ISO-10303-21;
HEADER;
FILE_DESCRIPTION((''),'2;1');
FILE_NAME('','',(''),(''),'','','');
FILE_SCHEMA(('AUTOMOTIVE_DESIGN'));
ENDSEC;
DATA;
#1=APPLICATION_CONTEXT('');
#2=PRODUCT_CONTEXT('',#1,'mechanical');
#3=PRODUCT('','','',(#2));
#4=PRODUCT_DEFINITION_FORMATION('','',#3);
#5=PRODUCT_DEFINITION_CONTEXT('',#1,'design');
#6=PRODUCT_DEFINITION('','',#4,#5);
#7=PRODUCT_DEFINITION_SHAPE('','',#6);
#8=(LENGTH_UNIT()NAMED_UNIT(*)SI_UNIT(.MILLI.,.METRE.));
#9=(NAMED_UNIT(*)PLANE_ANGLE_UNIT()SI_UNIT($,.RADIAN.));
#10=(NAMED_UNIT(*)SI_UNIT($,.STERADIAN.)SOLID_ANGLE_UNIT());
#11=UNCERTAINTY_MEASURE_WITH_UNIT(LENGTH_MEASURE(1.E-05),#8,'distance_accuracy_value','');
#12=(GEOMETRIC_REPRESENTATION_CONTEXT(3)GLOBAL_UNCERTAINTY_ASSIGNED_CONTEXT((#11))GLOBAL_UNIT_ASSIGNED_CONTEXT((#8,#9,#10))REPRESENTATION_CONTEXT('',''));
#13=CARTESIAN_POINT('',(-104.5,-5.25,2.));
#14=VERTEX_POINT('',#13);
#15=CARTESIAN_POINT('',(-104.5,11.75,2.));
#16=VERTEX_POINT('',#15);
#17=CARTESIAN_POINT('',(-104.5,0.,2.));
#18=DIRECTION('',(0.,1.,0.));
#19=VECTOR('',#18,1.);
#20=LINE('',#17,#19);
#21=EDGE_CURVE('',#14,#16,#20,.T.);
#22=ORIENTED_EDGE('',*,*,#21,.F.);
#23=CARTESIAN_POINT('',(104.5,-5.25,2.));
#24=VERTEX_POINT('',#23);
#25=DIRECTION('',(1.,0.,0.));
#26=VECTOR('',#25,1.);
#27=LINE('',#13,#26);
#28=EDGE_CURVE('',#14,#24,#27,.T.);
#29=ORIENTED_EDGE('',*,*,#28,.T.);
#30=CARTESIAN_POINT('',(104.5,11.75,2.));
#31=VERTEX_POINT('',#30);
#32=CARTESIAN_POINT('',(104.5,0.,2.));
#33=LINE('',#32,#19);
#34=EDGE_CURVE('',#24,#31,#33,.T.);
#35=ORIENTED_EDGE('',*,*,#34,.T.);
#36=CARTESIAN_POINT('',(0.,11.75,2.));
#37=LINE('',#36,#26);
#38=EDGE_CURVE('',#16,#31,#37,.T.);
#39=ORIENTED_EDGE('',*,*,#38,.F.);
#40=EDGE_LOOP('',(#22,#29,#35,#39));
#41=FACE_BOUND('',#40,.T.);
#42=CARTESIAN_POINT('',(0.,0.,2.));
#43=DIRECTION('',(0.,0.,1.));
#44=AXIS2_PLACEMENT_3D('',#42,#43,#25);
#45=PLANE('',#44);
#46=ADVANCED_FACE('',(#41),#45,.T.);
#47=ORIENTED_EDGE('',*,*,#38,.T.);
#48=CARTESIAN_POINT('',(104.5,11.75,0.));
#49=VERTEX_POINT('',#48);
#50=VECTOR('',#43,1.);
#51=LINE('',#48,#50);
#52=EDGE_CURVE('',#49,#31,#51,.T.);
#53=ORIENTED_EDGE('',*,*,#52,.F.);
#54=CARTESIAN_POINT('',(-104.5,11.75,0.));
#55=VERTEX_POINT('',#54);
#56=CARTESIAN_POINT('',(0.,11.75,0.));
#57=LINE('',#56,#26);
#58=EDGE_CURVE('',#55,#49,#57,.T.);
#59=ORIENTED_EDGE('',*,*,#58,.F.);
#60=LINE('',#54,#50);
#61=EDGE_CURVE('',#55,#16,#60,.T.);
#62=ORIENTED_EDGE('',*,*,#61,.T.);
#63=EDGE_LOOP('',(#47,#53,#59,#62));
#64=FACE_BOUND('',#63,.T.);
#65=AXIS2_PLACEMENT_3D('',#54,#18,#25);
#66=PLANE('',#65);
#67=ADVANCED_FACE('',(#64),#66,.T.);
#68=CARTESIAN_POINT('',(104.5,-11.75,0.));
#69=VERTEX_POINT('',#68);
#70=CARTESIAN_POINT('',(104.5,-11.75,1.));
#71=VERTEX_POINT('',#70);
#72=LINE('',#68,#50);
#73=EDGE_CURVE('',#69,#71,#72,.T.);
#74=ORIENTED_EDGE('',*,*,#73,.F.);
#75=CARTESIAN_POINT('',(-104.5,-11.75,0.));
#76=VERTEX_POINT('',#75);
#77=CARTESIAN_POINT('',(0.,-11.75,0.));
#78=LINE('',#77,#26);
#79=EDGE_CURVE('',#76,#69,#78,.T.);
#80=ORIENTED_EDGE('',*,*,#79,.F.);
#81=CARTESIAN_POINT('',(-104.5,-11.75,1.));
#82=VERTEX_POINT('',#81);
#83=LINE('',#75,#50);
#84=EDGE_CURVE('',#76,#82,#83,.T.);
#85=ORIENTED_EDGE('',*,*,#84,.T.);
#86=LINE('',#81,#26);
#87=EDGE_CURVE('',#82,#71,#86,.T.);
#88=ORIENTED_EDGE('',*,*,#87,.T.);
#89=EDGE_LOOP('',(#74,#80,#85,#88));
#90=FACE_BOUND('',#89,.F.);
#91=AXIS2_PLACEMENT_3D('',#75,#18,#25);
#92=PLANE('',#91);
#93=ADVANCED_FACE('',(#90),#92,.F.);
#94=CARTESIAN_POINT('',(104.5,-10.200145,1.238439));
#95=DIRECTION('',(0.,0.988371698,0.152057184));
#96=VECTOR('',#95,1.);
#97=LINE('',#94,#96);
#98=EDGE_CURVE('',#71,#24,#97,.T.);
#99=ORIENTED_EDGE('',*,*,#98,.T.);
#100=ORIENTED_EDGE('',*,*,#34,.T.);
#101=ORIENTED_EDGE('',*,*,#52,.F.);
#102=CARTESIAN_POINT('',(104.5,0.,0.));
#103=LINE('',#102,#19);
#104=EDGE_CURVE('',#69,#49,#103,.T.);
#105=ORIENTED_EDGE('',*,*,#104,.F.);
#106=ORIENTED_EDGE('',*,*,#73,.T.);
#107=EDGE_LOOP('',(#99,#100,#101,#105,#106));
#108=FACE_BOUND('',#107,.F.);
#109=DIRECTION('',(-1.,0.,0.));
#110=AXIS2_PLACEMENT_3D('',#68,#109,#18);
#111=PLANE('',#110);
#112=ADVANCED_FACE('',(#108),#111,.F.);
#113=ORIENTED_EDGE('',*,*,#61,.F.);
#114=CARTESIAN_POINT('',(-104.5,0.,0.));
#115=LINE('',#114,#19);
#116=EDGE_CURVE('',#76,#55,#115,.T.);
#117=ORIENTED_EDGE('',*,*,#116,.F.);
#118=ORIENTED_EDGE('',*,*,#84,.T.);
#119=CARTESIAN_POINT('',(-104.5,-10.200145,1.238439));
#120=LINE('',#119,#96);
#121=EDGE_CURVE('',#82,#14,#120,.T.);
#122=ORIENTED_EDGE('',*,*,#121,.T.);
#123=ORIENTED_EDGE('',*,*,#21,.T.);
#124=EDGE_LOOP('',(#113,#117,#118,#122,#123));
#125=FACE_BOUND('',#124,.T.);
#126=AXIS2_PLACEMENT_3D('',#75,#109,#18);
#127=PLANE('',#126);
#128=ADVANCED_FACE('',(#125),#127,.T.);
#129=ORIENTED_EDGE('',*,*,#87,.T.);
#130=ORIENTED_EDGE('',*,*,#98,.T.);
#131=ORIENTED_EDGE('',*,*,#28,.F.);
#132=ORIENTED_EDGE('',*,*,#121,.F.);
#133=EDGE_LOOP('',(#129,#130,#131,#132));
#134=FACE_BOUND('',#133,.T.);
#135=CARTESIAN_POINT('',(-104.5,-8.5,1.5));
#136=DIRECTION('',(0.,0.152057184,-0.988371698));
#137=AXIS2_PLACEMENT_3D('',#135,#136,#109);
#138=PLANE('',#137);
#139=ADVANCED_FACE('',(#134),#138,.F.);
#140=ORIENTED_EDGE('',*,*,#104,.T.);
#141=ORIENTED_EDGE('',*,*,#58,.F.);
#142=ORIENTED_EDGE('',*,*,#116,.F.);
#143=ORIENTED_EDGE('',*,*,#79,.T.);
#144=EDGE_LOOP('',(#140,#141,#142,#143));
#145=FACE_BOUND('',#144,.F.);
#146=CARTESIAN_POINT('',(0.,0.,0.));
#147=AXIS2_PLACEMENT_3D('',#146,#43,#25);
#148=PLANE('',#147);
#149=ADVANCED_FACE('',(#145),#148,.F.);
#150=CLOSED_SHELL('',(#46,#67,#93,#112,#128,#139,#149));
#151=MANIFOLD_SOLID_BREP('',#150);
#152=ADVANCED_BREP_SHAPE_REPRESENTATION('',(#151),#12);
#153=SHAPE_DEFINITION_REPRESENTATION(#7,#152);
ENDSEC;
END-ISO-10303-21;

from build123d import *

# Parameters (mm, degrees)
F0_W     = 209
F0_H     = 23.5
F1_DEPTH = 2
F2_SIZE2 = 6.5
F2_SIZE  = 1


with BuildPart() as f1:
    # F0 (on Top) → F1 (new body)
    with BuildSketch(Plane.XY):
        Rectangle(F0_W, F0_H)
    extrude(amount=F1_DEPTH)

    # F2
    f2_edges = [f1.edges().sort_by_distance(p)[0] for p in [
        (0, -11.75, 2),
    ]]
    chamfer(f2_edges, length=F2_SIZE, length2=F2_SIZE2)


solid = f1.part
